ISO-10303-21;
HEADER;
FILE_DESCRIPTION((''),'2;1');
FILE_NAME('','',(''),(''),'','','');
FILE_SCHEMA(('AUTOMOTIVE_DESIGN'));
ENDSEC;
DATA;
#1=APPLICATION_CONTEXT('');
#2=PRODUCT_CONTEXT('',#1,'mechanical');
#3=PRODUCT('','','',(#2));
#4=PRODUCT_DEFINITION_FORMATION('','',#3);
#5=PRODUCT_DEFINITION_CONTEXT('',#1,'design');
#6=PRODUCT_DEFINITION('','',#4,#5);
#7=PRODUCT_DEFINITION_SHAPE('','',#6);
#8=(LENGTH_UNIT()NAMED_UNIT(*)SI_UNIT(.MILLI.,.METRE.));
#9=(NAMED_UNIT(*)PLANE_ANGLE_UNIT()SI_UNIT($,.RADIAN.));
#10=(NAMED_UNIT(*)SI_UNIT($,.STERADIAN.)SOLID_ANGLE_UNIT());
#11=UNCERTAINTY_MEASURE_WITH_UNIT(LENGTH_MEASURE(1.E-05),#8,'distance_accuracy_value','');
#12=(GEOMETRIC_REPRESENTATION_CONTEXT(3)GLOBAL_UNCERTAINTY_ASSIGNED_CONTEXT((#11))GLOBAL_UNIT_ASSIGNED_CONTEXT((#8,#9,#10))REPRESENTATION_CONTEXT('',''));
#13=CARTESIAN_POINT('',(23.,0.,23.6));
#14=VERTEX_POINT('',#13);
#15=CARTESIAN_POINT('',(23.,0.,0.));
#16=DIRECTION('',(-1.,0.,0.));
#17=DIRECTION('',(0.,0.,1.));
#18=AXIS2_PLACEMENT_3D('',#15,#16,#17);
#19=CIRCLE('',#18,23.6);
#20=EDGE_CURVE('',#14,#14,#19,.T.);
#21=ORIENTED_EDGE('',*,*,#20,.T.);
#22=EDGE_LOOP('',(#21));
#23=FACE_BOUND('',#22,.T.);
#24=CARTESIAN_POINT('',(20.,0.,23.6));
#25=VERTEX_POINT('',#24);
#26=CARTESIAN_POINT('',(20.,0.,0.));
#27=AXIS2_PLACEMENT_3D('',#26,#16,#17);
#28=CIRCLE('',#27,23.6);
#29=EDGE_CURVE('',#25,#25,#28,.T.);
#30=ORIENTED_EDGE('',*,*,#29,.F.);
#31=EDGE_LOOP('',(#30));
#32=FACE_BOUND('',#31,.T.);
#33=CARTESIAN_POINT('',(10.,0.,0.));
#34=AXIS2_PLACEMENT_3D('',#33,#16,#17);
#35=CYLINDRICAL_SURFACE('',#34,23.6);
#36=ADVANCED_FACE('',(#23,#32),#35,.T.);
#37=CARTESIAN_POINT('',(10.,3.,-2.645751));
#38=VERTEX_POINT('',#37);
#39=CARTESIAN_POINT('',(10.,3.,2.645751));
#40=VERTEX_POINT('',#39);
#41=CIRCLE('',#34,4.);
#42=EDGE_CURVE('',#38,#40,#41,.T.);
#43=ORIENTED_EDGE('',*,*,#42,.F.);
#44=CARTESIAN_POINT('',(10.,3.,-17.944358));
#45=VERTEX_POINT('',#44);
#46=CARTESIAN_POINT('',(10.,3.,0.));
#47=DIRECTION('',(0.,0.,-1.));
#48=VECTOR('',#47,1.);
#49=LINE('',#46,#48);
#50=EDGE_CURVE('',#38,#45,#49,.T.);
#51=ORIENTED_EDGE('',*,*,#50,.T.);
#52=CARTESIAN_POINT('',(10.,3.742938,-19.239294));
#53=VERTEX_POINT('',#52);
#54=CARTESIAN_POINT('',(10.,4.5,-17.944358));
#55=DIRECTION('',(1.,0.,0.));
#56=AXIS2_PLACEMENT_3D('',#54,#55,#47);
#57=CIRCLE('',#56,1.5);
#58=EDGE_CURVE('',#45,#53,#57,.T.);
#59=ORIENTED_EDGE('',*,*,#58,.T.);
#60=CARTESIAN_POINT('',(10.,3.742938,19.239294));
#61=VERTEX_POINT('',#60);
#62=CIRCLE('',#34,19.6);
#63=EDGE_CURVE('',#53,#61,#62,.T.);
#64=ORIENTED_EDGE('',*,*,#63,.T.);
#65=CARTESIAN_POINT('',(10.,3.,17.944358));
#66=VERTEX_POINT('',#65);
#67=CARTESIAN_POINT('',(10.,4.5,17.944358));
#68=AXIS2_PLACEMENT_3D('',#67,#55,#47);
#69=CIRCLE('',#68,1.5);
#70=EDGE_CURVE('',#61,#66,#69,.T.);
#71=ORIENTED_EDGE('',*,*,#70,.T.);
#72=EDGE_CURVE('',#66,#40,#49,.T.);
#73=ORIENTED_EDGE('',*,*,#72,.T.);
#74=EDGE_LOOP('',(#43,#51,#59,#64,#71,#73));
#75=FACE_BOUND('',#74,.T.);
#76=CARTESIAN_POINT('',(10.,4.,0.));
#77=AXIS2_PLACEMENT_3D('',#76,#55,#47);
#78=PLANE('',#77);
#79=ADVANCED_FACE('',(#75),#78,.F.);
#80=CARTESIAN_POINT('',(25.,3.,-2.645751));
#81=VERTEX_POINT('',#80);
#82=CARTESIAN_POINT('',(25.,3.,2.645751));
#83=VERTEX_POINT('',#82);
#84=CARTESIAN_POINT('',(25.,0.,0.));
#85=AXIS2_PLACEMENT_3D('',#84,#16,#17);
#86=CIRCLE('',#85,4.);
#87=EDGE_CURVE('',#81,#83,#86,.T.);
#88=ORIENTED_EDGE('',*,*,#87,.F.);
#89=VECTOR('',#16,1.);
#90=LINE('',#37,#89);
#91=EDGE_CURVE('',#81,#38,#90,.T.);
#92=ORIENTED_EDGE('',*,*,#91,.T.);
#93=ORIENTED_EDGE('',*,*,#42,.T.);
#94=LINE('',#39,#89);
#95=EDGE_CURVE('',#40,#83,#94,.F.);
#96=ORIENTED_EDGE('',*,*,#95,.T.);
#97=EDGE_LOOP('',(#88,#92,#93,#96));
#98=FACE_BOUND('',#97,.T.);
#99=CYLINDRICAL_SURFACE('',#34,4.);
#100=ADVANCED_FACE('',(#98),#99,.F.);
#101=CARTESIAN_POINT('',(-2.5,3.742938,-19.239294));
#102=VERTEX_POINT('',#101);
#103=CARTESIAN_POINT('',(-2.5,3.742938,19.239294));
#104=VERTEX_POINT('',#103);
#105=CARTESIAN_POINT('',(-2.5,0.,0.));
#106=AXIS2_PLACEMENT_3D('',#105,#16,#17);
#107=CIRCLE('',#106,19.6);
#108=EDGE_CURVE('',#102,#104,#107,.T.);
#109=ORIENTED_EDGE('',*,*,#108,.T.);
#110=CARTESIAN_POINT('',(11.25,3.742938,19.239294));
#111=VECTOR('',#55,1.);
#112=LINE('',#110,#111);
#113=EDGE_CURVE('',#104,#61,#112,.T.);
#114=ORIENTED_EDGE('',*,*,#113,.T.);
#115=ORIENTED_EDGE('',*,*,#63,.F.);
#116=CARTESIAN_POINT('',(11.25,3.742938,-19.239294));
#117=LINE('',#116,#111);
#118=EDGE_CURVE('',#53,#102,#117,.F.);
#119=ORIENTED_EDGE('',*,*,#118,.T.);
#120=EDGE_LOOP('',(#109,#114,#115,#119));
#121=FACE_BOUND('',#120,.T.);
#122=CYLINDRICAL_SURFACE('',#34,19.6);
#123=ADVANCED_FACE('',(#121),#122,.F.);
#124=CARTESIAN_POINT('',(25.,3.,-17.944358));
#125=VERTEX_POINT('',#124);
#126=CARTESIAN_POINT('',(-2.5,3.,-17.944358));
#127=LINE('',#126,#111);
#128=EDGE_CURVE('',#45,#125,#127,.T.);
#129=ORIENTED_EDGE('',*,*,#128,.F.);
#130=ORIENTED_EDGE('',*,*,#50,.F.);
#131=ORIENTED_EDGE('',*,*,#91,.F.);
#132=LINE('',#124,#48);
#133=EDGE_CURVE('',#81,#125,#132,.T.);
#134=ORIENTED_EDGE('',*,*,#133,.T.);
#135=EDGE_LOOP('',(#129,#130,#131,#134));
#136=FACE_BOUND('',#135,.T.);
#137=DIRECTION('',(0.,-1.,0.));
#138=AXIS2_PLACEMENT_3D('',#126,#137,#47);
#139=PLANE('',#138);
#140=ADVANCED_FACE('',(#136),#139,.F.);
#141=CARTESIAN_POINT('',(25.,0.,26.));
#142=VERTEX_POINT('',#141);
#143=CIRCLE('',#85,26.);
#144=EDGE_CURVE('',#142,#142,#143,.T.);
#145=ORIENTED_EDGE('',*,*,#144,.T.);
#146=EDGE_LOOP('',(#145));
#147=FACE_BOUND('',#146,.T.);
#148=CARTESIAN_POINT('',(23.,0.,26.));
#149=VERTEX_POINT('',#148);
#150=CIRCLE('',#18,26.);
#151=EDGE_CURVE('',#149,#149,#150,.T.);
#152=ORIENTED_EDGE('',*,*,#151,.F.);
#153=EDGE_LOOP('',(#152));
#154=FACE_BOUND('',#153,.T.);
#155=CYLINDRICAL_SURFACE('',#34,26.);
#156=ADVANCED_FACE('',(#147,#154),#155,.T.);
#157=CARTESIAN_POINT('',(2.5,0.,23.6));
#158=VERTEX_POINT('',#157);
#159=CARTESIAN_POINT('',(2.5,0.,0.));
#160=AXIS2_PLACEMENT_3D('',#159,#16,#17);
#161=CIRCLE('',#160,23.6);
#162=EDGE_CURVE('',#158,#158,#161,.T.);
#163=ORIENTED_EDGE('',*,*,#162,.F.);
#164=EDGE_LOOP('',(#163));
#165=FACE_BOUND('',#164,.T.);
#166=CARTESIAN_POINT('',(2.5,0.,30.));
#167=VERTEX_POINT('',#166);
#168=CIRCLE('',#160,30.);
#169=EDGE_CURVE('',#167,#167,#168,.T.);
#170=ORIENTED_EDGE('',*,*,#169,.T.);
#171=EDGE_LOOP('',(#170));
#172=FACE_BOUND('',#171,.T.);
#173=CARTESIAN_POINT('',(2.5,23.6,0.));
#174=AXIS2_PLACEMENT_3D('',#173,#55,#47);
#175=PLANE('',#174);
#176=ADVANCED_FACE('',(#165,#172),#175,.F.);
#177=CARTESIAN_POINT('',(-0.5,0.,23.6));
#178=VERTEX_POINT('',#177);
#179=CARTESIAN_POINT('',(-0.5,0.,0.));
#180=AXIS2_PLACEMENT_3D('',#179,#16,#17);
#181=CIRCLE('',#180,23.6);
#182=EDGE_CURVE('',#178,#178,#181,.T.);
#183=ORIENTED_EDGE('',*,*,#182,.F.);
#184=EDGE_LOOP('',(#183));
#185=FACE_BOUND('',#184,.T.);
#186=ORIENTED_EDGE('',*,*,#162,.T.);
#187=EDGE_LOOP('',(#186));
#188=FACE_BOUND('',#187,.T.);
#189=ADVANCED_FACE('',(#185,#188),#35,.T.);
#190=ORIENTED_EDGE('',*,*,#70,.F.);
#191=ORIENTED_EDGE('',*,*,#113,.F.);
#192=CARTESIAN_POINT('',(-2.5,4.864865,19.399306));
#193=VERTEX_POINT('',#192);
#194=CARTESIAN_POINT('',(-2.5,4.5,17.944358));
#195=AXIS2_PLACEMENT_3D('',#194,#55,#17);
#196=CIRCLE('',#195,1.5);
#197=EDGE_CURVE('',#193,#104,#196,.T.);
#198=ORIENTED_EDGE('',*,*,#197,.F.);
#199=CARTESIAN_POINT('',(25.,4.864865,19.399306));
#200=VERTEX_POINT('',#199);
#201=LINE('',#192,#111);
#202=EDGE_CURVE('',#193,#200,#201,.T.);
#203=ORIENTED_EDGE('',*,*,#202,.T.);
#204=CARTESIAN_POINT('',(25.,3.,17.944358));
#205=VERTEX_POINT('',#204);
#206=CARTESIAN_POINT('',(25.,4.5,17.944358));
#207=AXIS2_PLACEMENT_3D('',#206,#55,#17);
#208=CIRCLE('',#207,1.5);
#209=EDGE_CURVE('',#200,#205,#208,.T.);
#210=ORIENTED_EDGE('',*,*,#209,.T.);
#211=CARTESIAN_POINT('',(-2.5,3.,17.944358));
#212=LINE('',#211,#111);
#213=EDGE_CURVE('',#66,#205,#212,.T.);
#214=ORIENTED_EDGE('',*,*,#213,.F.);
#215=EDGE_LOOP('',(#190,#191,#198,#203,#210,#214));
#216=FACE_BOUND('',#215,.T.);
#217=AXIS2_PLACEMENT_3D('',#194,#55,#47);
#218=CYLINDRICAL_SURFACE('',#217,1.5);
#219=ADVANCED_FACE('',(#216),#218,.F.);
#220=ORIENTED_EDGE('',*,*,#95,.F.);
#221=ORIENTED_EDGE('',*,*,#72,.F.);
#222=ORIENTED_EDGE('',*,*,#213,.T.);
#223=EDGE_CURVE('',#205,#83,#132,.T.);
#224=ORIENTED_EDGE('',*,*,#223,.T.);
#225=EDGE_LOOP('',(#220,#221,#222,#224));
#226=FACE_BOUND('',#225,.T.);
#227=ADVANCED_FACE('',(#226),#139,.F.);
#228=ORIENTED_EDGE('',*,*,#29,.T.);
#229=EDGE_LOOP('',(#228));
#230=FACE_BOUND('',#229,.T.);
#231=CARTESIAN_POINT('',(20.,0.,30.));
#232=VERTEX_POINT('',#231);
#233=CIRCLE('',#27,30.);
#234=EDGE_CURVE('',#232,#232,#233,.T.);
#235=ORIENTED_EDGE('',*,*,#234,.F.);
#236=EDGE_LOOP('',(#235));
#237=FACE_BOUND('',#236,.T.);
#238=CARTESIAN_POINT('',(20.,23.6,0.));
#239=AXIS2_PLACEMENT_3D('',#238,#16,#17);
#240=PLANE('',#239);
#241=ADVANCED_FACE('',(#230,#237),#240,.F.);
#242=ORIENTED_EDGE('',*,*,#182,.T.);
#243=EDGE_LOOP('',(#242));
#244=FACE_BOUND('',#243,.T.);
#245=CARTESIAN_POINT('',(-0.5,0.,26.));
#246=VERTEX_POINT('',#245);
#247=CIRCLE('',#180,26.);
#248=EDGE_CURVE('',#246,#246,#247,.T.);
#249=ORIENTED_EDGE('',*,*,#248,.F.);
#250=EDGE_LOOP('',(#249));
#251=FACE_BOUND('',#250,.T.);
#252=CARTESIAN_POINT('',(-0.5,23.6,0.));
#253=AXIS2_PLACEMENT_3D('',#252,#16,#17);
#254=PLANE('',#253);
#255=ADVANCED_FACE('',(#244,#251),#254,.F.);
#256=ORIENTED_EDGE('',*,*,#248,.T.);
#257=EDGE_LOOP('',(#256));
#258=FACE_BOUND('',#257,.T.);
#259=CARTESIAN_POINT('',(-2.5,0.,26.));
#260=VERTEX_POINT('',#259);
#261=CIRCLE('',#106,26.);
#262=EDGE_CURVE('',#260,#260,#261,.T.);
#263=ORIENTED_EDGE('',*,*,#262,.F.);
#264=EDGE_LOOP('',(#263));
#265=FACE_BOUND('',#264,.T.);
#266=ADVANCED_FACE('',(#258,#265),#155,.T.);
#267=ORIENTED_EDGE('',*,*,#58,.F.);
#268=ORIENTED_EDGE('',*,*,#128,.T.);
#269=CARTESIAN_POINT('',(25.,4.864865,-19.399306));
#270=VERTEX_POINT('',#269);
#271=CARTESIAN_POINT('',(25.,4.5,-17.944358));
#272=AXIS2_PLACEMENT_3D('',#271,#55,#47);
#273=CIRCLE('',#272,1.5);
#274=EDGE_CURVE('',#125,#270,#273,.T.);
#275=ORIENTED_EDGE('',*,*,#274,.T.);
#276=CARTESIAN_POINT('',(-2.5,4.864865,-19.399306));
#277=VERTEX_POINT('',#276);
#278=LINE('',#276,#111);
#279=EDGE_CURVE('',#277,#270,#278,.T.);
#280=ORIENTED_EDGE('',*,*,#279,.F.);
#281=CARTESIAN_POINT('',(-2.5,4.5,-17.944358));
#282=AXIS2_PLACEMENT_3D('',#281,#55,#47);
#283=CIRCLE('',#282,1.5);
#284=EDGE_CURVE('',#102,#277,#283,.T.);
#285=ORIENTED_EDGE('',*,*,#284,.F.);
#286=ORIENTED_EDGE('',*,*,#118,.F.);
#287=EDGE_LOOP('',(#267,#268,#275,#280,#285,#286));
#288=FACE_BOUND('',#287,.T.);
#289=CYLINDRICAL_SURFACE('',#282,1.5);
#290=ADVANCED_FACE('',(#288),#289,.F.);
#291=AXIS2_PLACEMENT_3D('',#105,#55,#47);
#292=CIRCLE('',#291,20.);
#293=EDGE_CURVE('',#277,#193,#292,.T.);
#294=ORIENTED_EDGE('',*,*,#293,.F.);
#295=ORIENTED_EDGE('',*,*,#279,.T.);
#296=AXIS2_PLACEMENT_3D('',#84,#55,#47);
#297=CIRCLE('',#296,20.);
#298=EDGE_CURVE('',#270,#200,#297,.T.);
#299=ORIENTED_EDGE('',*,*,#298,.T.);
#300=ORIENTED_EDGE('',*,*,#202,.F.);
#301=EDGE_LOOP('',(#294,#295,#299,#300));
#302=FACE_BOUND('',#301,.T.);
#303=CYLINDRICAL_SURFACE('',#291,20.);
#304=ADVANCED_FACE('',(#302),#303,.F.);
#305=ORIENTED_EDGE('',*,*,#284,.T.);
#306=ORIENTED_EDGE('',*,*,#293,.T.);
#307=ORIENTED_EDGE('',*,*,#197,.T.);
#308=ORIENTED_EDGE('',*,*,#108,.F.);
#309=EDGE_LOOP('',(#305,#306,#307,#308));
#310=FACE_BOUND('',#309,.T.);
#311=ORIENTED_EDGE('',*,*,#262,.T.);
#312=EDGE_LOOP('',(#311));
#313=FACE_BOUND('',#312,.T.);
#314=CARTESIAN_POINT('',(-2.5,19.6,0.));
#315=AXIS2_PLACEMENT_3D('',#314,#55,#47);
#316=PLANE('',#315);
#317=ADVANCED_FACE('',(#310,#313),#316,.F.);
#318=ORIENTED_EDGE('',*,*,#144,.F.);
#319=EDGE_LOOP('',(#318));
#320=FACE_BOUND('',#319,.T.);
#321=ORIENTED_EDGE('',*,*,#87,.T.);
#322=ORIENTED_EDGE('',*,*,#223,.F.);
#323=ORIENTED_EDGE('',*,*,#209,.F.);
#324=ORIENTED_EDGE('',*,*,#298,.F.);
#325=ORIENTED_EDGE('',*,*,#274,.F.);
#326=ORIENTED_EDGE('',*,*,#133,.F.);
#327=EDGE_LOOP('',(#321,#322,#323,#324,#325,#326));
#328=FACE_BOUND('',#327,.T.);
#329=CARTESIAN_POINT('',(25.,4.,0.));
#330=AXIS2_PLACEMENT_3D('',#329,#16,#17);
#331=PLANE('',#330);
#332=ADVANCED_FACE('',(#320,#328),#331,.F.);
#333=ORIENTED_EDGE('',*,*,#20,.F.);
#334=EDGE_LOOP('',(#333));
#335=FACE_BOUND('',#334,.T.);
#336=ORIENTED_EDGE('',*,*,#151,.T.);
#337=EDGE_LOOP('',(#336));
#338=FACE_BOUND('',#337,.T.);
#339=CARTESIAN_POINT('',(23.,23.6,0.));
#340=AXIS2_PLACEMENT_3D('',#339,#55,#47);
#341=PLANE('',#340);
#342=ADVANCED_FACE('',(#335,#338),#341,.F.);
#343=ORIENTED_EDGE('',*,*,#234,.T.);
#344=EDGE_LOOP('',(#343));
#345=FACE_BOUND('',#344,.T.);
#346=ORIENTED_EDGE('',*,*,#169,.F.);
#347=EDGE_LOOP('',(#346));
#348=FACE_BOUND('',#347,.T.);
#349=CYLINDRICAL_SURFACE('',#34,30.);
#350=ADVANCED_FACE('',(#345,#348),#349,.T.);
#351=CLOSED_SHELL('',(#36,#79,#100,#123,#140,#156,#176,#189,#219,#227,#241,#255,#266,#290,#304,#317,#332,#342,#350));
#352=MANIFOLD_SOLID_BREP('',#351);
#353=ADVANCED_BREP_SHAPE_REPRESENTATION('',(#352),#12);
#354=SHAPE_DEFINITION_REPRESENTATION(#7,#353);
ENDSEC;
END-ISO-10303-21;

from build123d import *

# Parameters (mm, degrees)
EXTRUSION1_DEPTH = 28.5


with BuildPart() as part:
    # Esquisse1 → Révolution1 (revolve)
    with BuildSketch(Plane.XY):
        Polygon((-2.5, 19.6), (-2.5, 26), (-0.5, 26), (-0.5, 23.6), (2.5, 23.6), (2.5, 30), (20, 30), (20, 23.6), (23, 23.6), (23, 26), (25, 26), (25, 4), (10, 4), (10, 19.6), align=None)
    revolve(axis=Axis((10, 0, 0), (1, 0, 0)))

    # Esquisse2 → Extrusion1 (cut, through all)
    with BuildSketch(Plane(origin=(25, 0, 0), x_dir=(0, 0, -1), z_dir=(1, 0, 0))):
        with BuildLine():
            Line((17.944358445, 3), (-17.944358445, 3))
            ThreePointArc((-17.944358445, 3), (-19.127003214, 3.577312972), (-19.399306427, 4.864864865))
            ThreePointArc((-19.399306427, 4.864864865), (0, 20), (19.399306427, 4.864864865))
            ThreePointArc((19.399306427, 4.864864865), (19.127003214, 3.577312972), (17.944358445, 3))
        make_face()
    extrude(amount=-EXTRUSION1_DEPTH, mode=Mode.SUBTRACT)


solid = part.part
